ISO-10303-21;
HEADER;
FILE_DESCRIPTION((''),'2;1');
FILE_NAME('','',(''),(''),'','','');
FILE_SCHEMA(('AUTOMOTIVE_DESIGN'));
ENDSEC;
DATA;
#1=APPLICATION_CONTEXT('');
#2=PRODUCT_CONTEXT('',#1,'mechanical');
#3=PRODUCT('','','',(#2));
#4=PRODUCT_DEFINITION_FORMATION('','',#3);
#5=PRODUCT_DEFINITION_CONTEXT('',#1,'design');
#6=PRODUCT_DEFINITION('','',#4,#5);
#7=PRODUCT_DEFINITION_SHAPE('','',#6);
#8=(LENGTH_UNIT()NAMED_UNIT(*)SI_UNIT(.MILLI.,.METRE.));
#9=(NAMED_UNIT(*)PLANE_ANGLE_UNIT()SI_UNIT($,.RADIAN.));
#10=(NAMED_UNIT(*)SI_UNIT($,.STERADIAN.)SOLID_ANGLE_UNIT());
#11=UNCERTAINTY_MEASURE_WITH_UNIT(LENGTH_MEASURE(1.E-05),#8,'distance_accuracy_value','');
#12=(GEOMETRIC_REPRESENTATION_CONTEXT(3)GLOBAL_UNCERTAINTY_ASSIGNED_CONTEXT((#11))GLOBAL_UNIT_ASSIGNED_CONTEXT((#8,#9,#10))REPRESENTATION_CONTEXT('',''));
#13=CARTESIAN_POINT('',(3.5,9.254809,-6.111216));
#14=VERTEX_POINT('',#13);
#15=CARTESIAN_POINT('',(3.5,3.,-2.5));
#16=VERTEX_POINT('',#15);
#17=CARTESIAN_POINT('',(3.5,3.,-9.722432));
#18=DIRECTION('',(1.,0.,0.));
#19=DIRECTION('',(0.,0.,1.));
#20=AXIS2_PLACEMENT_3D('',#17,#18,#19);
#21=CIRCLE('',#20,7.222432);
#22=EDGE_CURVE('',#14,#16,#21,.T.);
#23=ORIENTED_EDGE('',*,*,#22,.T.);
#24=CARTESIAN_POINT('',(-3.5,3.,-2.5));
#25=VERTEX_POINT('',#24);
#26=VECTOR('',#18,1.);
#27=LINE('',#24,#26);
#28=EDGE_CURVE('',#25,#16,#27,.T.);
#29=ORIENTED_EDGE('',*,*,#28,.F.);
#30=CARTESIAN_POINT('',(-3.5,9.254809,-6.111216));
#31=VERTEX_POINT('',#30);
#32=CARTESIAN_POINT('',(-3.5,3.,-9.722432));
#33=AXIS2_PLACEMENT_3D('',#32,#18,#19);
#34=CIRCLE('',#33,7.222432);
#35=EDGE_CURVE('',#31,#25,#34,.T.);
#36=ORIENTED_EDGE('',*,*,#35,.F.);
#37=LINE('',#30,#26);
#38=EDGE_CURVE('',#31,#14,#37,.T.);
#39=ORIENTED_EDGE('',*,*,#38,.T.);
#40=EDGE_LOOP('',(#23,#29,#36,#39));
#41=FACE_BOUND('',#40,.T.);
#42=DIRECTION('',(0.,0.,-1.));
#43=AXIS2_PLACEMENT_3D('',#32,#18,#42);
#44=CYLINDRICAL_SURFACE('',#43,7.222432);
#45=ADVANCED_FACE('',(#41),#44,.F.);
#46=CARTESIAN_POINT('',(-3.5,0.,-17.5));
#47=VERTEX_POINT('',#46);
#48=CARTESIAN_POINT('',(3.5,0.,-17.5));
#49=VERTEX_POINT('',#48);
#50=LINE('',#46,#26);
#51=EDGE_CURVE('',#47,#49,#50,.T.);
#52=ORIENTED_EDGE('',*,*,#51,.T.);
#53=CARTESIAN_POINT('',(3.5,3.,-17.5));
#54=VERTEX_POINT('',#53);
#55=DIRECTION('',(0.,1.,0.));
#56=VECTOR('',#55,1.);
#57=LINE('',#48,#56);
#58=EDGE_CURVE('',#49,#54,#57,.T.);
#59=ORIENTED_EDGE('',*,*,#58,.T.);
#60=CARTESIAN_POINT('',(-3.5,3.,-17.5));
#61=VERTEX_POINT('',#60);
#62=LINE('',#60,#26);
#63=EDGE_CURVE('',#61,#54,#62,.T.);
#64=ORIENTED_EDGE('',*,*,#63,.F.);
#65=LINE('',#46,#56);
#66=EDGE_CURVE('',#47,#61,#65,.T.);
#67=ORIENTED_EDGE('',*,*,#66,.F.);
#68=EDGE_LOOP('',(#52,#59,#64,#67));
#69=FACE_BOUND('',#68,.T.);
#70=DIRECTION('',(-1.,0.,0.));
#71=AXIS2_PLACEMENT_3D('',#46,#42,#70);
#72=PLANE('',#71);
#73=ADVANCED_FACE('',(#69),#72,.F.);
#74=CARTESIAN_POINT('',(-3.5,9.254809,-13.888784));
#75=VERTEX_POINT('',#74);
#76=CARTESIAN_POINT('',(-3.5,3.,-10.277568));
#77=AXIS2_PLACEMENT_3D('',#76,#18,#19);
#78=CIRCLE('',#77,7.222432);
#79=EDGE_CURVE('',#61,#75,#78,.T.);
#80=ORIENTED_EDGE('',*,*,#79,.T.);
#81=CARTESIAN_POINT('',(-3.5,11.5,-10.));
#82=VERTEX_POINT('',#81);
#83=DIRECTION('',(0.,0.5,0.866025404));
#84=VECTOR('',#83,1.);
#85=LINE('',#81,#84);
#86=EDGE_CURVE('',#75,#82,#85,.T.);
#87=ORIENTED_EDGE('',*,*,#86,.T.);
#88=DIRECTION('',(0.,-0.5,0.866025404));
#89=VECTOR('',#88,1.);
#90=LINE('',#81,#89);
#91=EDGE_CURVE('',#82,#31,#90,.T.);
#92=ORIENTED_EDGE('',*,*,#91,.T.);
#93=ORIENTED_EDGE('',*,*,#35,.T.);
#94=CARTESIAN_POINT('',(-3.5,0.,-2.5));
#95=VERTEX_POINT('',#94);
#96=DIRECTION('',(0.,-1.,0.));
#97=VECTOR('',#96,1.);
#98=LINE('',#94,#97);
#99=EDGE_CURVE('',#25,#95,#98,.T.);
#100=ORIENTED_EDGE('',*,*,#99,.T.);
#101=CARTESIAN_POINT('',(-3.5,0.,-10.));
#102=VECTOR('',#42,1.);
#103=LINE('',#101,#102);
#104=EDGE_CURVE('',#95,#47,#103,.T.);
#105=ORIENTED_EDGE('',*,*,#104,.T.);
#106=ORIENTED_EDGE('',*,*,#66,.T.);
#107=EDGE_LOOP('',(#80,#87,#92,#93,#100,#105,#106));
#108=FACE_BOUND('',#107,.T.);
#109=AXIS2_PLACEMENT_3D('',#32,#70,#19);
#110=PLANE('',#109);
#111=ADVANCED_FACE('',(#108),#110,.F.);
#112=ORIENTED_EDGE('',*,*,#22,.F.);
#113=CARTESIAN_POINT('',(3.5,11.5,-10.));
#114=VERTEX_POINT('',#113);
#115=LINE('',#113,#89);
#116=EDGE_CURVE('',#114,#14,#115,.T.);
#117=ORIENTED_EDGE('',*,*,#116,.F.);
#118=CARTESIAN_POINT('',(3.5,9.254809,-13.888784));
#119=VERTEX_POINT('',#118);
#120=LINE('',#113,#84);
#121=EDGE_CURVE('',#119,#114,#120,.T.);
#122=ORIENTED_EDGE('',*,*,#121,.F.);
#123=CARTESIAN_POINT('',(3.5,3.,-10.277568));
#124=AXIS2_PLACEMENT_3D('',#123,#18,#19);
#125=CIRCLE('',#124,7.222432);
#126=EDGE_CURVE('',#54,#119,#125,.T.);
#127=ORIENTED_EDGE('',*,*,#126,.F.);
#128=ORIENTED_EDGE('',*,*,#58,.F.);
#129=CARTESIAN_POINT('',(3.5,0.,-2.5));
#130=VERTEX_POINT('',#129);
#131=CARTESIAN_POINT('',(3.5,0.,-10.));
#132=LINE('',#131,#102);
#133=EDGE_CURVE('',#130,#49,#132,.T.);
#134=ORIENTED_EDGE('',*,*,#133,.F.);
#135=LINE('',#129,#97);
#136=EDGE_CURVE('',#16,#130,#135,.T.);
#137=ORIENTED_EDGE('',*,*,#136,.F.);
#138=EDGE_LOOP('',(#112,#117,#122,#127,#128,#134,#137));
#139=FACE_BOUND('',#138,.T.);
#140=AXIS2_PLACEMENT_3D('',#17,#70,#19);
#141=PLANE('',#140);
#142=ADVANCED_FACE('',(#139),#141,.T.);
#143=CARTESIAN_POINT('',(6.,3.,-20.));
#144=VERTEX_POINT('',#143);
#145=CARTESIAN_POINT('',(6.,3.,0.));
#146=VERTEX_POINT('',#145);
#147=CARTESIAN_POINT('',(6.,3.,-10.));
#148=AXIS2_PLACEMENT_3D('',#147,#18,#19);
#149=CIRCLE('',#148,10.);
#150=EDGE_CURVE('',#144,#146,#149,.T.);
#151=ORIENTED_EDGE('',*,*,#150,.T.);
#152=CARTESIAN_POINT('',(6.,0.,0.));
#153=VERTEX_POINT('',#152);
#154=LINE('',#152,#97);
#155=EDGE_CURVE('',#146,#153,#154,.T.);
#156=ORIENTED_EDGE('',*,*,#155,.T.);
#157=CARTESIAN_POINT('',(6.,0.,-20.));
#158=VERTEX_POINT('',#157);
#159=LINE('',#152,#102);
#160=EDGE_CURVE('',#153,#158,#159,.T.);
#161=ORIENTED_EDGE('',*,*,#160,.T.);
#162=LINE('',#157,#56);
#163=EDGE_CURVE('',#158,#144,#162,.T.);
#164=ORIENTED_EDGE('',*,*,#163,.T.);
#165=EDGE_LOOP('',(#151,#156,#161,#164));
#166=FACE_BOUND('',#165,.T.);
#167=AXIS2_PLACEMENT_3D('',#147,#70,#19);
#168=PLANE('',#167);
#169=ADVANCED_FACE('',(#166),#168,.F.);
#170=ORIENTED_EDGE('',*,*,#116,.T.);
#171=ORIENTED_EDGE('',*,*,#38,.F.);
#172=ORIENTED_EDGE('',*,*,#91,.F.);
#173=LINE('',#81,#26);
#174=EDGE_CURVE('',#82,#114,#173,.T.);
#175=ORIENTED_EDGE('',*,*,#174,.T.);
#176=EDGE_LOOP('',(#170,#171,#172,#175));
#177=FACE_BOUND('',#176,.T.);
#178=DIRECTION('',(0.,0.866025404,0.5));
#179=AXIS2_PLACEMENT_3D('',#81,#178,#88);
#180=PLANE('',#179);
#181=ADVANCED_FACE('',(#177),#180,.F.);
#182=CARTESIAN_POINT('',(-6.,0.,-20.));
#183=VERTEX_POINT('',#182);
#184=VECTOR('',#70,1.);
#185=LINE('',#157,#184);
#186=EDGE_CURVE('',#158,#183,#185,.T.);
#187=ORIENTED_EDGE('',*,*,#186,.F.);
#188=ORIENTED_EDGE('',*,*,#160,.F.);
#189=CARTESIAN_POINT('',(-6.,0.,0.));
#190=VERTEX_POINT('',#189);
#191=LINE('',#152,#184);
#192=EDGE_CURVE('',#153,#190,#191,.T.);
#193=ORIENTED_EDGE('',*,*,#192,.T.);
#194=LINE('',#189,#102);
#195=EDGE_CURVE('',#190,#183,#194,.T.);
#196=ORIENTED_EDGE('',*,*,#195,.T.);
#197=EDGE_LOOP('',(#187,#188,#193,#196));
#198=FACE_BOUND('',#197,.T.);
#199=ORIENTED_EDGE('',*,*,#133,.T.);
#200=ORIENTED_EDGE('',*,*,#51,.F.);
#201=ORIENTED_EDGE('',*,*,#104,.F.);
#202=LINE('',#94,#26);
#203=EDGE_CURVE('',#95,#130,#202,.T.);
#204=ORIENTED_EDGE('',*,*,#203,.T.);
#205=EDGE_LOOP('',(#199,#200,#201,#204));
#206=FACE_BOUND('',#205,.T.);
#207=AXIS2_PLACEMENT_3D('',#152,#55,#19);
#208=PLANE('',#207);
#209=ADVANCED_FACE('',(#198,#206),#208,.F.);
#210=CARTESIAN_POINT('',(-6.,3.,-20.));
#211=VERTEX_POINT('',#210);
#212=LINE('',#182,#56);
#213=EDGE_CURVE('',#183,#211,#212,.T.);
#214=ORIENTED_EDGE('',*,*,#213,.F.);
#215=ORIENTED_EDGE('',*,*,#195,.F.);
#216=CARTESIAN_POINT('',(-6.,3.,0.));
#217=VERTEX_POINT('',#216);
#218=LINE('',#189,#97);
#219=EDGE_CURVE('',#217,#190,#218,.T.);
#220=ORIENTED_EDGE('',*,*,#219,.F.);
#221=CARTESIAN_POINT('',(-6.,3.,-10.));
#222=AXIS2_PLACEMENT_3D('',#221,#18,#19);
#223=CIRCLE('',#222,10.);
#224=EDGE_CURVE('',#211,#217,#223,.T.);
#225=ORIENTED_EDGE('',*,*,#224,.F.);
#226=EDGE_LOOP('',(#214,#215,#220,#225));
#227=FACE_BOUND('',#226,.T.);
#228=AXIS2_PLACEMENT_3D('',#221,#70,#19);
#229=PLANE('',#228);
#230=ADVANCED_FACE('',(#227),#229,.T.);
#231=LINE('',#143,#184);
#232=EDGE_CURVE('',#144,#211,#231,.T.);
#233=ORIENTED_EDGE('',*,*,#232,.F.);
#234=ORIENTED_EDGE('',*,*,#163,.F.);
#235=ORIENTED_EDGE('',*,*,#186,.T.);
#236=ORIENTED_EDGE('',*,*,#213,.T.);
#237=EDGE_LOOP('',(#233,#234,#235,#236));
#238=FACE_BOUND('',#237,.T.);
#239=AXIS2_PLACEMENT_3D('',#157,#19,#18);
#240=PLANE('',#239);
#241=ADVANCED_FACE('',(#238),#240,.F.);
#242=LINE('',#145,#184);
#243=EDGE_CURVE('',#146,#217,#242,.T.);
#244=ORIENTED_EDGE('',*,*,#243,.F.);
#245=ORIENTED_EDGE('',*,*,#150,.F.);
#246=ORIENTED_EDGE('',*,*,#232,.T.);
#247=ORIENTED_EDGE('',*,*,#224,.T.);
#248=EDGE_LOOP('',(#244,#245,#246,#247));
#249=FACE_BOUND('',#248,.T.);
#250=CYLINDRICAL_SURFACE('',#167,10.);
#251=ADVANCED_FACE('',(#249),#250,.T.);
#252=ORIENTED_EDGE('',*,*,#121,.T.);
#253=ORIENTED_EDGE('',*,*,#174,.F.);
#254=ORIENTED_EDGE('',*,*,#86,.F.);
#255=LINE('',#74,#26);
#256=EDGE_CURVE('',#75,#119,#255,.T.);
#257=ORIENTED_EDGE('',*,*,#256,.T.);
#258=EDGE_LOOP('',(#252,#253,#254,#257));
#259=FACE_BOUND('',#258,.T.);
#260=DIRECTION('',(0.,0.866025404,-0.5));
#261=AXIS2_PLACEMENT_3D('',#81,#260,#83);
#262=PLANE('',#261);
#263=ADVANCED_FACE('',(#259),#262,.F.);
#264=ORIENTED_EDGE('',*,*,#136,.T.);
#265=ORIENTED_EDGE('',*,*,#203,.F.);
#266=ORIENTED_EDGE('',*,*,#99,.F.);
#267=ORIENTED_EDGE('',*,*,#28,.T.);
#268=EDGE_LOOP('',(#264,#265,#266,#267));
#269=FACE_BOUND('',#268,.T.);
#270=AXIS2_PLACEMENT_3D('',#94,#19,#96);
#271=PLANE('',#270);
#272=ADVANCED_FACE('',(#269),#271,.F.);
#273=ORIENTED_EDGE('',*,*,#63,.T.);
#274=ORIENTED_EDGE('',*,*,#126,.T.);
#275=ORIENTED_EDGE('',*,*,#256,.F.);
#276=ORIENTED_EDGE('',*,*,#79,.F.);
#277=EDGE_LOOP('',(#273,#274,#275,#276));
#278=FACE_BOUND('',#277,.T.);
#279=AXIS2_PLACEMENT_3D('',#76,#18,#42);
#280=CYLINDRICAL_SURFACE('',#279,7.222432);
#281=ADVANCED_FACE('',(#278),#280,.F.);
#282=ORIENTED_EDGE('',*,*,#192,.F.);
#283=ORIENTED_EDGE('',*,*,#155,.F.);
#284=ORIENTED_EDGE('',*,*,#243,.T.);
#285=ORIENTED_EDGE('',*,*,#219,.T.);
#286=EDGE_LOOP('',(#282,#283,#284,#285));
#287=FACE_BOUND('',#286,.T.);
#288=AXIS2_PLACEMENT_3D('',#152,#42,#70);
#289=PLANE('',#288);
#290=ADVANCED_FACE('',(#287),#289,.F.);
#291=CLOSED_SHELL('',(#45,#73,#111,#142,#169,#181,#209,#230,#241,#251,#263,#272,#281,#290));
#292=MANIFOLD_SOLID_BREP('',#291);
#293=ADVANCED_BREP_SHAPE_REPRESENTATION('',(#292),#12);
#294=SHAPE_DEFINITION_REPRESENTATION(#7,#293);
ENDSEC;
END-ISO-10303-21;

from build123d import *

# Parameters (mm, degrees)
BOSS_EXTRUDE1_DEPTH = 6
CUT_EXTRUDE1_DEPTH  = 3.5


with BuildPart() as part:
    # Sketch1 → Boss-Extrude1 (new body, symmetric)
    with BuildSketch(Plane(origin=(0, 0, 0), x_dir=(0, 0, -1), z_dir=(1, 0, 0))):
        with BuildLine():
            Line((0, 0), (0, 3))
            ThreePointArc((0, 3), (10, 13), (20, 3))
            Line((20, 3), (20, 0))
            Line((20, 0), (0, 0))
        make_face()
    extrude(amount=BOSS_EXTRUDE1_DEPTH, both=True)

    # Sketch2 → Cut-Extrude1 (cut, symmetric)
    with BuildSketch(Plane(origin=(0, 0, 0), x_dir=(0, 0, -1), z_dir=(1, 0, 0))):
        with BuildLine():
            Line((10, 0), (17.5, 0))
            Line((17.5, 0), (17.5, 3))
            ThreePointArc((17.5, 3), (16.532377607, 6.611215932), (13.888784068, 9.254809472))
            Line((13.888784068, 9.254809472), (10, 11.5))
            Line((10, 11.5), (6.111215932, 9.254809472))
            ThreePointArc((6.111215932, 9.254809472), (3.467622393, 6.611215932), (2.5, 3))
            Line((2.5, 3), (2.5, 0))
            Line((2.5, 0), (10, 0))
        make_face()
    extrude(amount=CUT_EXTRUDE1_DEPTH, both=True, mode=Mode.SUBTRACT)


solid = part.part
